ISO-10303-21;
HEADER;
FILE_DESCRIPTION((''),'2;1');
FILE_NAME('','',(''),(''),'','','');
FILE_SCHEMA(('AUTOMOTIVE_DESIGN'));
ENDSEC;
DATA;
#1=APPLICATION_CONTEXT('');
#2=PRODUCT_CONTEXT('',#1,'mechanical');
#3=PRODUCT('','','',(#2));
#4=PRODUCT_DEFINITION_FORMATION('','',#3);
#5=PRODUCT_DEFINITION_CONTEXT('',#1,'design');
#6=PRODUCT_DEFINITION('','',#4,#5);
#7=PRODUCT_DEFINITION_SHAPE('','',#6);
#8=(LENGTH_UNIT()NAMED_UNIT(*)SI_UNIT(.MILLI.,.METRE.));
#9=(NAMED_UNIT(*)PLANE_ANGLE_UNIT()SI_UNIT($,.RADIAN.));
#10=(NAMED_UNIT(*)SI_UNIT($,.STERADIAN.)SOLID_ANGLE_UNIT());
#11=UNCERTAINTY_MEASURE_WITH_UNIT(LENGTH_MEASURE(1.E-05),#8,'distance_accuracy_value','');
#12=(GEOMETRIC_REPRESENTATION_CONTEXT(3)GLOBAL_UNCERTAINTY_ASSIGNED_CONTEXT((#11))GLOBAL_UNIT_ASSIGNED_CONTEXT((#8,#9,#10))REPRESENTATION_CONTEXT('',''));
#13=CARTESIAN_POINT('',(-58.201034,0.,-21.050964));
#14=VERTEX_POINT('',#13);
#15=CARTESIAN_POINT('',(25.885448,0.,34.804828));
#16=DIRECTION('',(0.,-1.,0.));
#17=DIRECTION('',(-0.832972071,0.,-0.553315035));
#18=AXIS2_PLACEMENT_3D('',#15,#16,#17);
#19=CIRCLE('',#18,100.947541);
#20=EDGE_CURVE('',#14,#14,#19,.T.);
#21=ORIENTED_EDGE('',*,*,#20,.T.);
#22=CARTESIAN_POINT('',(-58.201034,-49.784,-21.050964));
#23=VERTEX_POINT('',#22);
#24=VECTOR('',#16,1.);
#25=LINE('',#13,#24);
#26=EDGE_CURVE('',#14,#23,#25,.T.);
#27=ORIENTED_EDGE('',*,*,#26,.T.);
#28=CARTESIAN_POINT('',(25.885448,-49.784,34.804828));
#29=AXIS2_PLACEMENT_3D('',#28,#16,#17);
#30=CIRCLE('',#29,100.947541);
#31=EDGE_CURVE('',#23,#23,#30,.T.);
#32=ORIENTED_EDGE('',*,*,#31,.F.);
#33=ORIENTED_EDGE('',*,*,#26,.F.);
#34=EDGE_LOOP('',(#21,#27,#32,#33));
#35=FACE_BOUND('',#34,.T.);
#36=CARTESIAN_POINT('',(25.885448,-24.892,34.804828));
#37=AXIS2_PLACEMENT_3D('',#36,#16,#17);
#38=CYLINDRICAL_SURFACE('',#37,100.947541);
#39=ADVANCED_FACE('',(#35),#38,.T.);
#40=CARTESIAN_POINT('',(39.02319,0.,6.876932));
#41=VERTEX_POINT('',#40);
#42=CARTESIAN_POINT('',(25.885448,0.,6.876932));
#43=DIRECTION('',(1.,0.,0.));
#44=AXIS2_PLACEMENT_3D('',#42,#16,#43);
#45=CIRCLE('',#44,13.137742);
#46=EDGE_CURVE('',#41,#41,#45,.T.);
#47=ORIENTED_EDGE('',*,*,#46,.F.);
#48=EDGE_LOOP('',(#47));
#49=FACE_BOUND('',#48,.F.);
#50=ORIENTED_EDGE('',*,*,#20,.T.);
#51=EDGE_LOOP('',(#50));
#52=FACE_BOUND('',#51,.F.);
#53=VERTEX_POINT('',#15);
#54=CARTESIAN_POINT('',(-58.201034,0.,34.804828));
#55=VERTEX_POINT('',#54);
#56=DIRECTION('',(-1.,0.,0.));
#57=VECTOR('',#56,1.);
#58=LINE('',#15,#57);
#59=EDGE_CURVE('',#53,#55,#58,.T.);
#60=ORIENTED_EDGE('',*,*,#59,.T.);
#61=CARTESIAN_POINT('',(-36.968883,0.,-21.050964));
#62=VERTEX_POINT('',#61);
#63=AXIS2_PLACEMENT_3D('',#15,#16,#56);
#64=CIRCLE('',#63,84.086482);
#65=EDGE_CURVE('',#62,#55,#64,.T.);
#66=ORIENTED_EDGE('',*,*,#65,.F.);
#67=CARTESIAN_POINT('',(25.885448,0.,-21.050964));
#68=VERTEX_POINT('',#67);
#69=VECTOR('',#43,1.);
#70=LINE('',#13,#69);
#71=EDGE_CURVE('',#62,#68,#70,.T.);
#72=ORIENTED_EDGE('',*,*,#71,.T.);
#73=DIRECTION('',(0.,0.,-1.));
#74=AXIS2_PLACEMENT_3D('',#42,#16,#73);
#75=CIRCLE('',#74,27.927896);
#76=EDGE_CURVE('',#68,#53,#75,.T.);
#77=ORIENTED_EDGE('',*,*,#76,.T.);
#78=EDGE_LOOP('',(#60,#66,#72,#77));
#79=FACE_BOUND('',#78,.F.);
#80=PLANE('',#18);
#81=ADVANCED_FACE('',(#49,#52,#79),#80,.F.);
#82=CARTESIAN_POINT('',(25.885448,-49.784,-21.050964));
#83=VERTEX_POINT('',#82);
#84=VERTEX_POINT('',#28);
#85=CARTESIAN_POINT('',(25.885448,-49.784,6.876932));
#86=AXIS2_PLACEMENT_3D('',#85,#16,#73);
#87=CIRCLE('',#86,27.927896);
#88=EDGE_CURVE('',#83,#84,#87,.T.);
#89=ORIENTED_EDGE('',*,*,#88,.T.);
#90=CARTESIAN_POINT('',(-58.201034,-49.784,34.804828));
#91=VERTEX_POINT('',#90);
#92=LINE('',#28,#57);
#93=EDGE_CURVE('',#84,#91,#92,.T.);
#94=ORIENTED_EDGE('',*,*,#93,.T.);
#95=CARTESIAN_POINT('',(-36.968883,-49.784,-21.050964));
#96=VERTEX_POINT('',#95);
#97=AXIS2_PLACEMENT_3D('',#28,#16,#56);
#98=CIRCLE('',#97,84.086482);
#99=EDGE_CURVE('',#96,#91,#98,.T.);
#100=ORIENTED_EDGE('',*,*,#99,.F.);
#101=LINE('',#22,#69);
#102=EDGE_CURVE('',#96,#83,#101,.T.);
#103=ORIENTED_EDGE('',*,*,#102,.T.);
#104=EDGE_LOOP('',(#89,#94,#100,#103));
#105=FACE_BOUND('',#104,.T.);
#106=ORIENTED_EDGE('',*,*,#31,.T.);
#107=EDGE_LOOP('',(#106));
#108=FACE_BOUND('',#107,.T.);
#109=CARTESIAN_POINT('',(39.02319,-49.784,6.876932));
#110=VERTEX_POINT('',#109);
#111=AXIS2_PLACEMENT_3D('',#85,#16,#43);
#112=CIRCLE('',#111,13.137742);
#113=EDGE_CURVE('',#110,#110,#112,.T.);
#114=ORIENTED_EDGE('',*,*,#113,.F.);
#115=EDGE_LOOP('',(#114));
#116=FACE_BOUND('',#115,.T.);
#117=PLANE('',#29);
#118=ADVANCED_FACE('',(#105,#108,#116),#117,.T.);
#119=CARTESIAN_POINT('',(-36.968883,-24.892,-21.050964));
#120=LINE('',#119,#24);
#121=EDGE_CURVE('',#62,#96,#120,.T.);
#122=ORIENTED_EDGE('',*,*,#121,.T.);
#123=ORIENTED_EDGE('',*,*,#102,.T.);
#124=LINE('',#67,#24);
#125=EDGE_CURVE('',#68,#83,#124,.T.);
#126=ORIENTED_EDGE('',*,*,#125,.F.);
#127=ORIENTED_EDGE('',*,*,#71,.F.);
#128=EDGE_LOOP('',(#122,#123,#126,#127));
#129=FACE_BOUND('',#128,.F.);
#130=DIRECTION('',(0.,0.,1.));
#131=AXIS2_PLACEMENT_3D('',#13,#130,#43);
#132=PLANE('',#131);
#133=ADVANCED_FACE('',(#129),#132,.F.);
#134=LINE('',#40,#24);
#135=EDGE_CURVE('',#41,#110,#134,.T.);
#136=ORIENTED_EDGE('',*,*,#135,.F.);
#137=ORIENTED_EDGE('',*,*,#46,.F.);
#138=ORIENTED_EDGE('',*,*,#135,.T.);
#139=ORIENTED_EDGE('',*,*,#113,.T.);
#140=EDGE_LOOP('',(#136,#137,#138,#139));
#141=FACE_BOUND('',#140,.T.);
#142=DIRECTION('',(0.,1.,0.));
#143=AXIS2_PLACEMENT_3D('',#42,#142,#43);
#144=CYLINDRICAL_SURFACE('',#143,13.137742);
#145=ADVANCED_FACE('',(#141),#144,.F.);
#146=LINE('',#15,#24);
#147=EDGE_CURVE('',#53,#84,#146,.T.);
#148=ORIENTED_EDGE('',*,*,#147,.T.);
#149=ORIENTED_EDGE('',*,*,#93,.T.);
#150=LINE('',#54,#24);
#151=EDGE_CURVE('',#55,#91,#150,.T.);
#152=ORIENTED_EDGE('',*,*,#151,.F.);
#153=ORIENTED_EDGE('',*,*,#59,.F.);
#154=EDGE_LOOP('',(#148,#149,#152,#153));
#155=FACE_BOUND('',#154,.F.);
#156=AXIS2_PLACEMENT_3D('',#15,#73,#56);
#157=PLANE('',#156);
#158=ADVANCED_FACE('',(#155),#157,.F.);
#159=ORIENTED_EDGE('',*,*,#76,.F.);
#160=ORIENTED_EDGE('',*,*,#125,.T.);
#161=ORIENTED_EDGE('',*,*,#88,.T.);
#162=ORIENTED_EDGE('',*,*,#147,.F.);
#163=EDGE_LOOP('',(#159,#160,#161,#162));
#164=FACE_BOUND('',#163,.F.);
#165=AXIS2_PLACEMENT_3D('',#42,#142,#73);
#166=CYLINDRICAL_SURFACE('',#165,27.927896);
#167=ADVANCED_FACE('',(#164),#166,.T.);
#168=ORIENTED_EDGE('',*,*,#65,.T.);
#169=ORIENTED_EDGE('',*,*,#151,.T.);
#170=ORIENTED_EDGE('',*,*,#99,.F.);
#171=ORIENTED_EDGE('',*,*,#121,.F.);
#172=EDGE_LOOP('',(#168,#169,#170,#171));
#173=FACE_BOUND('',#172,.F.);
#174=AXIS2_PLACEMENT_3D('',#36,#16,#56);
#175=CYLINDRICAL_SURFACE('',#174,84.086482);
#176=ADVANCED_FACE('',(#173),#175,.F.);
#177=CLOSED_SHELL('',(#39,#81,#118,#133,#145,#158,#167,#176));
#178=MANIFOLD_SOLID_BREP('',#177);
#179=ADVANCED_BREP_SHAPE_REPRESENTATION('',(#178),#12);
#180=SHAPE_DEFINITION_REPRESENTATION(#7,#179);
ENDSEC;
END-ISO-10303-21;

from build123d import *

# Parameters (mm, degrees)
F0_R      = 13.137742
F1_DEPTH  = 49.784
F1_FACE_W = 49.784
F1_FACE_H = 55.855792


with BuildPart() as f1:
    # F0 (on Front) → F1 (new body)
    with BuildSketch(Plane.XZ):
        with BuildLine():
            Line((25.885448, 34.804828), (-58.201034, 34.804828))
            Line((-58.201034, 34.804828), (-58.201034, -21.050964))
            Line((-58.201034, -21.050964), (25.885448, -21.050964))
            ThreePointArc((25.885448, -21.050964), (53.813344, 6.876932), (25.885448, 34.804828))
        make_face()
        with Locations((25.885448, 6.876932)):
            Circle(F0_R, mode=Mode.SUBTRACT)
    extrude(amount=F1_DEPTH)

    # F1_face (on face) → F2 (revolve)
    with BuildSketch(Plane(origin=(-58.201034, -24.892, 6.876932), x_dir=(0, -1, 0), z_dir=(-1, 0, 0))):
        Rectangle(F1_FACE_W, F1_FACE_H)
    revolve(axis=Axis((25.885448, -24.892, 34.804828), (0, -1, 0)))


solid = f1.part
